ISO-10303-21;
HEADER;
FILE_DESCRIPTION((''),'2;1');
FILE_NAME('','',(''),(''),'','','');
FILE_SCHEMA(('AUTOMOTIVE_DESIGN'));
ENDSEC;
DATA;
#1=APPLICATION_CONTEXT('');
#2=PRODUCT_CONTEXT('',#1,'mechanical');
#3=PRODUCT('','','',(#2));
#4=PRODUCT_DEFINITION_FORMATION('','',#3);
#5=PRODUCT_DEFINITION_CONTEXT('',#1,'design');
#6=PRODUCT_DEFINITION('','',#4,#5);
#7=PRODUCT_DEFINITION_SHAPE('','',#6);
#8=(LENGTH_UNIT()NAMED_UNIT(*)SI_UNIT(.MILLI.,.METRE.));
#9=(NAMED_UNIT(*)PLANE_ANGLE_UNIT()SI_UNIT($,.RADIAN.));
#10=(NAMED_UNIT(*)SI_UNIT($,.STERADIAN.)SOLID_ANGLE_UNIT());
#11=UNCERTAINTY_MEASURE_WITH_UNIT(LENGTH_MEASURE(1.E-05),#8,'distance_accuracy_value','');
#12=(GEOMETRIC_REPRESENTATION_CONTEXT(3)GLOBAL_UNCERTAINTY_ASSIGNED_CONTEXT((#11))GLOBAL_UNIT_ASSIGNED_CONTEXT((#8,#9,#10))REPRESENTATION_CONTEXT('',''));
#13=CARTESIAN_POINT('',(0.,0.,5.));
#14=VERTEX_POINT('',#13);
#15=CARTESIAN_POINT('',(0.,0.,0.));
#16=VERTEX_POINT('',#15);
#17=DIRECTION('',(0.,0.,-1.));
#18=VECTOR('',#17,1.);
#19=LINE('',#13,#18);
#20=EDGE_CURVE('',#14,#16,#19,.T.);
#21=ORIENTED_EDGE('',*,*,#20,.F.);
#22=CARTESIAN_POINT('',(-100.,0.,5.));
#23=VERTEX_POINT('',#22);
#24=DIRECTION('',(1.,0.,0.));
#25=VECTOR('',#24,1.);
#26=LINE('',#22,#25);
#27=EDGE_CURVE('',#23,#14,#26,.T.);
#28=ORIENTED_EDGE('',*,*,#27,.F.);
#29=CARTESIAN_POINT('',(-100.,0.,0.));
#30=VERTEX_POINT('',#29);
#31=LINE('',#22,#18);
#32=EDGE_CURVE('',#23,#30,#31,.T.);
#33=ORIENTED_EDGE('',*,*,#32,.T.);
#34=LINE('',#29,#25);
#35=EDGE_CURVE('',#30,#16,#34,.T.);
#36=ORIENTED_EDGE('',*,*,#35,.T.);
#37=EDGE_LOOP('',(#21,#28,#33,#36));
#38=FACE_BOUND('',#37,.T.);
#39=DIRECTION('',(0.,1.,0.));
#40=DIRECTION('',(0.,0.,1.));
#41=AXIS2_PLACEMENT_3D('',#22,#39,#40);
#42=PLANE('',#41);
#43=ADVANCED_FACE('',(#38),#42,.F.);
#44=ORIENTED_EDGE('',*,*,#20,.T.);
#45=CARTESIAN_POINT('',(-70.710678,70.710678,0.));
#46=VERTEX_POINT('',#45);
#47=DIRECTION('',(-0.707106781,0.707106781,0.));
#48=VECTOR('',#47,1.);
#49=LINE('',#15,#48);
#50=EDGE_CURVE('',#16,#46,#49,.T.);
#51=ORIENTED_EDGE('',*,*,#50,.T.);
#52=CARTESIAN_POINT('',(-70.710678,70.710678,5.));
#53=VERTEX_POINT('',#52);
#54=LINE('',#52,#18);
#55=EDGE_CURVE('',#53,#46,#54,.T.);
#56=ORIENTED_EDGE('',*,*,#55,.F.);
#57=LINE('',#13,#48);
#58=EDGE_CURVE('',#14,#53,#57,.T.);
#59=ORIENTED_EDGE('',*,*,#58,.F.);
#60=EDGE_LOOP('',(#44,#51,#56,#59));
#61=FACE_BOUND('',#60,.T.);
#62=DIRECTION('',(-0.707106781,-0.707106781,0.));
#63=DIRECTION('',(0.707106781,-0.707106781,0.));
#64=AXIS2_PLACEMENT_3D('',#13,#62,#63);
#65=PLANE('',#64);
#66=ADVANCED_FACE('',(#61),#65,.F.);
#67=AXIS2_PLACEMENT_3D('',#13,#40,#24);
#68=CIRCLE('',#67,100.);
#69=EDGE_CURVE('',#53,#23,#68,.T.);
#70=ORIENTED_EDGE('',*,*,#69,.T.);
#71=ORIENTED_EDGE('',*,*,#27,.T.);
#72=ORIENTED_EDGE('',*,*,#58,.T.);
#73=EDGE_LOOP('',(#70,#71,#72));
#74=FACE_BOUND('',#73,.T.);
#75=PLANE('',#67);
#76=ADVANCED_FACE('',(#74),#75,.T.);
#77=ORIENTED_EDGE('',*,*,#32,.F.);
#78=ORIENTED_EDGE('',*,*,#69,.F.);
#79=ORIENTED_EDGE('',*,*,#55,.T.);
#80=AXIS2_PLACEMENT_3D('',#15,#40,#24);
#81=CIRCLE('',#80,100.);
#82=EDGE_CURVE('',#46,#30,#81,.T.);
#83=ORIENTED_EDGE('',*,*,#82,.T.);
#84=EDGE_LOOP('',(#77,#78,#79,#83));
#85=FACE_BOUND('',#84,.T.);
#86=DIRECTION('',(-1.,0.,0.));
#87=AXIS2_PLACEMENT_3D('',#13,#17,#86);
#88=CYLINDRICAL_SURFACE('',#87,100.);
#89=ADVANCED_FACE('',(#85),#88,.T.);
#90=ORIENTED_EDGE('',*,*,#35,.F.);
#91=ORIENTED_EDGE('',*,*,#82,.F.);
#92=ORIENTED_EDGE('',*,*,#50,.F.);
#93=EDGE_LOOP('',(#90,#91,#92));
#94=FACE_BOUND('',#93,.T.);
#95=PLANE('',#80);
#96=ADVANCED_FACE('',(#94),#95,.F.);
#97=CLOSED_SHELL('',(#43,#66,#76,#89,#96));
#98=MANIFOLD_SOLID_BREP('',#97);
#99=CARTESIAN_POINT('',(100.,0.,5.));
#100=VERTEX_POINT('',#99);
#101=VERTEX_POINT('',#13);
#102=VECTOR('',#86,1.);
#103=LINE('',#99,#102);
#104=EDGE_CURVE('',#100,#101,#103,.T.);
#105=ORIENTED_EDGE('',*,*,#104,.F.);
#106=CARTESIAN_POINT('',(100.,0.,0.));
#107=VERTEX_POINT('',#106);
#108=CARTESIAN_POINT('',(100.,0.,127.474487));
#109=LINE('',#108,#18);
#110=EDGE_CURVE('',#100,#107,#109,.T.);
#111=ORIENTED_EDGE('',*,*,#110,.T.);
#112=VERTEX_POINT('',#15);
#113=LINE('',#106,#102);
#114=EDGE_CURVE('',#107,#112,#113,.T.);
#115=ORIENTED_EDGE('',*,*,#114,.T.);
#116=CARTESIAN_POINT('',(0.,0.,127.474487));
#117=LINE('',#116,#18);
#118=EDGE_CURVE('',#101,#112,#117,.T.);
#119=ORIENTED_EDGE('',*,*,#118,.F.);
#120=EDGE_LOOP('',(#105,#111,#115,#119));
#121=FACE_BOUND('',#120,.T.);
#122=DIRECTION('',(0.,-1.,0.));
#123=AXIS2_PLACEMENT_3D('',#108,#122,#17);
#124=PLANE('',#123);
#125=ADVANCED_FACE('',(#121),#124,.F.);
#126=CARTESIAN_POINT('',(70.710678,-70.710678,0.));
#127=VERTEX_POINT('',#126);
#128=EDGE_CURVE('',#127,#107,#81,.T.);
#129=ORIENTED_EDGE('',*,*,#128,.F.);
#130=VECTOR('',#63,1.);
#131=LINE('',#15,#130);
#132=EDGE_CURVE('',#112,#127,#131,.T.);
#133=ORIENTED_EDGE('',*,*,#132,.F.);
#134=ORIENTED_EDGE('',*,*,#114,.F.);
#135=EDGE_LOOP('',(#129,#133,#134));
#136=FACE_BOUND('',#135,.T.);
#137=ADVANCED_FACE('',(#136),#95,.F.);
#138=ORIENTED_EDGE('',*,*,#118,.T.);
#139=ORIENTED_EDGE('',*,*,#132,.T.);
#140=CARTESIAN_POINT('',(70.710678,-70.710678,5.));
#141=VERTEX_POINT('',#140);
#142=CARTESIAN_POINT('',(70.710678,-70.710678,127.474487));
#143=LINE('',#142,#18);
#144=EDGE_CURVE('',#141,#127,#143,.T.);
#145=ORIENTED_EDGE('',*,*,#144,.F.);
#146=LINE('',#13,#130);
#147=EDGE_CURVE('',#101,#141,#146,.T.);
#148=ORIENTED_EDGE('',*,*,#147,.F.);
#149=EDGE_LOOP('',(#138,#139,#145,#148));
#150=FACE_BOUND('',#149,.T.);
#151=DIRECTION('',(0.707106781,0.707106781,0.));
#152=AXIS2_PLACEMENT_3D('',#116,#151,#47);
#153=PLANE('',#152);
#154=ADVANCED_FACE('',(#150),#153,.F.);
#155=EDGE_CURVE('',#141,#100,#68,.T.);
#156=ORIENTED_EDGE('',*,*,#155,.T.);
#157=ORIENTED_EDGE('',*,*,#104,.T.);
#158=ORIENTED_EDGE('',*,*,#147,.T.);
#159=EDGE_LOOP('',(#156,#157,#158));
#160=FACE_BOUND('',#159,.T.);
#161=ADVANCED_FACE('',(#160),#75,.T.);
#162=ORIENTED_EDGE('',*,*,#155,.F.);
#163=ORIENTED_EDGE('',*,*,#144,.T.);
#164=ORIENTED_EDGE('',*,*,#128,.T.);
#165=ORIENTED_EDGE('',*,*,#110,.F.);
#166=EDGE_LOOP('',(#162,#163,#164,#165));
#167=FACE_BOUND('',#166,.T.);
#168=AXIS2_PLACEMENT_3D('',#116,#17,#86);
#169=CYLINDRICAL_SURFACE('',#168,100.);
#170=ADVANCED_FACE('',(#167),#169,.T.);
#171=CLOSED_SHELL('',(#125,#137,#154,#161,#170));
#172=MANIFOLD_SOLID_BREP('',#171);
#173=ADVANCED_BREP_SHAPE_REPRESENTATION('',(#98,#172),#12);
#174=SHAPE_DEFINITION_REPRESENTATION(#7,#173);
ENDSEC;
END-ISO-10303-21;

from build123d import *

# Parameters (mm, degrees)
BOSS_EXTRUDE1_DEPTH = 5
BOSS_EXTRUDE2_DEPTH = 5


with BuildPart() as part:
    # Sketch1 → Boss-Extrude1 (new body)
    with BuildSketch(Plane.XY):
        with BuildLine():
            Line((0, 0), (-70.710678119, 70.710678119))
            ThreePointArc((-70.710678119, 70.710678119), (-92.387953251, 38.268343237), (-100, 0))
            Line((-100, 0), (0, 0))
        make_face()
    extrude(amount=BOSS_EXTRUDE1_DEPTH)


with BuildPart() as body_2:
    # Sketch2 → Boss-Extrude2 (new body)
    with BuildSketch(Plane.XY):
        with BuildLine():
            Line((0, 0), (70.710678119, -70.710678119))
            ThreePointArc((70.710678119, -70.710678119), (92.387953251, -38.268343237), (100, 0))
            Line((100, 0), (0, 0))
        make_face()
    extrude(amount=BOSS_EXTRUDE2_DEPTH)


solid = Compound([part.part, body_2.part])
